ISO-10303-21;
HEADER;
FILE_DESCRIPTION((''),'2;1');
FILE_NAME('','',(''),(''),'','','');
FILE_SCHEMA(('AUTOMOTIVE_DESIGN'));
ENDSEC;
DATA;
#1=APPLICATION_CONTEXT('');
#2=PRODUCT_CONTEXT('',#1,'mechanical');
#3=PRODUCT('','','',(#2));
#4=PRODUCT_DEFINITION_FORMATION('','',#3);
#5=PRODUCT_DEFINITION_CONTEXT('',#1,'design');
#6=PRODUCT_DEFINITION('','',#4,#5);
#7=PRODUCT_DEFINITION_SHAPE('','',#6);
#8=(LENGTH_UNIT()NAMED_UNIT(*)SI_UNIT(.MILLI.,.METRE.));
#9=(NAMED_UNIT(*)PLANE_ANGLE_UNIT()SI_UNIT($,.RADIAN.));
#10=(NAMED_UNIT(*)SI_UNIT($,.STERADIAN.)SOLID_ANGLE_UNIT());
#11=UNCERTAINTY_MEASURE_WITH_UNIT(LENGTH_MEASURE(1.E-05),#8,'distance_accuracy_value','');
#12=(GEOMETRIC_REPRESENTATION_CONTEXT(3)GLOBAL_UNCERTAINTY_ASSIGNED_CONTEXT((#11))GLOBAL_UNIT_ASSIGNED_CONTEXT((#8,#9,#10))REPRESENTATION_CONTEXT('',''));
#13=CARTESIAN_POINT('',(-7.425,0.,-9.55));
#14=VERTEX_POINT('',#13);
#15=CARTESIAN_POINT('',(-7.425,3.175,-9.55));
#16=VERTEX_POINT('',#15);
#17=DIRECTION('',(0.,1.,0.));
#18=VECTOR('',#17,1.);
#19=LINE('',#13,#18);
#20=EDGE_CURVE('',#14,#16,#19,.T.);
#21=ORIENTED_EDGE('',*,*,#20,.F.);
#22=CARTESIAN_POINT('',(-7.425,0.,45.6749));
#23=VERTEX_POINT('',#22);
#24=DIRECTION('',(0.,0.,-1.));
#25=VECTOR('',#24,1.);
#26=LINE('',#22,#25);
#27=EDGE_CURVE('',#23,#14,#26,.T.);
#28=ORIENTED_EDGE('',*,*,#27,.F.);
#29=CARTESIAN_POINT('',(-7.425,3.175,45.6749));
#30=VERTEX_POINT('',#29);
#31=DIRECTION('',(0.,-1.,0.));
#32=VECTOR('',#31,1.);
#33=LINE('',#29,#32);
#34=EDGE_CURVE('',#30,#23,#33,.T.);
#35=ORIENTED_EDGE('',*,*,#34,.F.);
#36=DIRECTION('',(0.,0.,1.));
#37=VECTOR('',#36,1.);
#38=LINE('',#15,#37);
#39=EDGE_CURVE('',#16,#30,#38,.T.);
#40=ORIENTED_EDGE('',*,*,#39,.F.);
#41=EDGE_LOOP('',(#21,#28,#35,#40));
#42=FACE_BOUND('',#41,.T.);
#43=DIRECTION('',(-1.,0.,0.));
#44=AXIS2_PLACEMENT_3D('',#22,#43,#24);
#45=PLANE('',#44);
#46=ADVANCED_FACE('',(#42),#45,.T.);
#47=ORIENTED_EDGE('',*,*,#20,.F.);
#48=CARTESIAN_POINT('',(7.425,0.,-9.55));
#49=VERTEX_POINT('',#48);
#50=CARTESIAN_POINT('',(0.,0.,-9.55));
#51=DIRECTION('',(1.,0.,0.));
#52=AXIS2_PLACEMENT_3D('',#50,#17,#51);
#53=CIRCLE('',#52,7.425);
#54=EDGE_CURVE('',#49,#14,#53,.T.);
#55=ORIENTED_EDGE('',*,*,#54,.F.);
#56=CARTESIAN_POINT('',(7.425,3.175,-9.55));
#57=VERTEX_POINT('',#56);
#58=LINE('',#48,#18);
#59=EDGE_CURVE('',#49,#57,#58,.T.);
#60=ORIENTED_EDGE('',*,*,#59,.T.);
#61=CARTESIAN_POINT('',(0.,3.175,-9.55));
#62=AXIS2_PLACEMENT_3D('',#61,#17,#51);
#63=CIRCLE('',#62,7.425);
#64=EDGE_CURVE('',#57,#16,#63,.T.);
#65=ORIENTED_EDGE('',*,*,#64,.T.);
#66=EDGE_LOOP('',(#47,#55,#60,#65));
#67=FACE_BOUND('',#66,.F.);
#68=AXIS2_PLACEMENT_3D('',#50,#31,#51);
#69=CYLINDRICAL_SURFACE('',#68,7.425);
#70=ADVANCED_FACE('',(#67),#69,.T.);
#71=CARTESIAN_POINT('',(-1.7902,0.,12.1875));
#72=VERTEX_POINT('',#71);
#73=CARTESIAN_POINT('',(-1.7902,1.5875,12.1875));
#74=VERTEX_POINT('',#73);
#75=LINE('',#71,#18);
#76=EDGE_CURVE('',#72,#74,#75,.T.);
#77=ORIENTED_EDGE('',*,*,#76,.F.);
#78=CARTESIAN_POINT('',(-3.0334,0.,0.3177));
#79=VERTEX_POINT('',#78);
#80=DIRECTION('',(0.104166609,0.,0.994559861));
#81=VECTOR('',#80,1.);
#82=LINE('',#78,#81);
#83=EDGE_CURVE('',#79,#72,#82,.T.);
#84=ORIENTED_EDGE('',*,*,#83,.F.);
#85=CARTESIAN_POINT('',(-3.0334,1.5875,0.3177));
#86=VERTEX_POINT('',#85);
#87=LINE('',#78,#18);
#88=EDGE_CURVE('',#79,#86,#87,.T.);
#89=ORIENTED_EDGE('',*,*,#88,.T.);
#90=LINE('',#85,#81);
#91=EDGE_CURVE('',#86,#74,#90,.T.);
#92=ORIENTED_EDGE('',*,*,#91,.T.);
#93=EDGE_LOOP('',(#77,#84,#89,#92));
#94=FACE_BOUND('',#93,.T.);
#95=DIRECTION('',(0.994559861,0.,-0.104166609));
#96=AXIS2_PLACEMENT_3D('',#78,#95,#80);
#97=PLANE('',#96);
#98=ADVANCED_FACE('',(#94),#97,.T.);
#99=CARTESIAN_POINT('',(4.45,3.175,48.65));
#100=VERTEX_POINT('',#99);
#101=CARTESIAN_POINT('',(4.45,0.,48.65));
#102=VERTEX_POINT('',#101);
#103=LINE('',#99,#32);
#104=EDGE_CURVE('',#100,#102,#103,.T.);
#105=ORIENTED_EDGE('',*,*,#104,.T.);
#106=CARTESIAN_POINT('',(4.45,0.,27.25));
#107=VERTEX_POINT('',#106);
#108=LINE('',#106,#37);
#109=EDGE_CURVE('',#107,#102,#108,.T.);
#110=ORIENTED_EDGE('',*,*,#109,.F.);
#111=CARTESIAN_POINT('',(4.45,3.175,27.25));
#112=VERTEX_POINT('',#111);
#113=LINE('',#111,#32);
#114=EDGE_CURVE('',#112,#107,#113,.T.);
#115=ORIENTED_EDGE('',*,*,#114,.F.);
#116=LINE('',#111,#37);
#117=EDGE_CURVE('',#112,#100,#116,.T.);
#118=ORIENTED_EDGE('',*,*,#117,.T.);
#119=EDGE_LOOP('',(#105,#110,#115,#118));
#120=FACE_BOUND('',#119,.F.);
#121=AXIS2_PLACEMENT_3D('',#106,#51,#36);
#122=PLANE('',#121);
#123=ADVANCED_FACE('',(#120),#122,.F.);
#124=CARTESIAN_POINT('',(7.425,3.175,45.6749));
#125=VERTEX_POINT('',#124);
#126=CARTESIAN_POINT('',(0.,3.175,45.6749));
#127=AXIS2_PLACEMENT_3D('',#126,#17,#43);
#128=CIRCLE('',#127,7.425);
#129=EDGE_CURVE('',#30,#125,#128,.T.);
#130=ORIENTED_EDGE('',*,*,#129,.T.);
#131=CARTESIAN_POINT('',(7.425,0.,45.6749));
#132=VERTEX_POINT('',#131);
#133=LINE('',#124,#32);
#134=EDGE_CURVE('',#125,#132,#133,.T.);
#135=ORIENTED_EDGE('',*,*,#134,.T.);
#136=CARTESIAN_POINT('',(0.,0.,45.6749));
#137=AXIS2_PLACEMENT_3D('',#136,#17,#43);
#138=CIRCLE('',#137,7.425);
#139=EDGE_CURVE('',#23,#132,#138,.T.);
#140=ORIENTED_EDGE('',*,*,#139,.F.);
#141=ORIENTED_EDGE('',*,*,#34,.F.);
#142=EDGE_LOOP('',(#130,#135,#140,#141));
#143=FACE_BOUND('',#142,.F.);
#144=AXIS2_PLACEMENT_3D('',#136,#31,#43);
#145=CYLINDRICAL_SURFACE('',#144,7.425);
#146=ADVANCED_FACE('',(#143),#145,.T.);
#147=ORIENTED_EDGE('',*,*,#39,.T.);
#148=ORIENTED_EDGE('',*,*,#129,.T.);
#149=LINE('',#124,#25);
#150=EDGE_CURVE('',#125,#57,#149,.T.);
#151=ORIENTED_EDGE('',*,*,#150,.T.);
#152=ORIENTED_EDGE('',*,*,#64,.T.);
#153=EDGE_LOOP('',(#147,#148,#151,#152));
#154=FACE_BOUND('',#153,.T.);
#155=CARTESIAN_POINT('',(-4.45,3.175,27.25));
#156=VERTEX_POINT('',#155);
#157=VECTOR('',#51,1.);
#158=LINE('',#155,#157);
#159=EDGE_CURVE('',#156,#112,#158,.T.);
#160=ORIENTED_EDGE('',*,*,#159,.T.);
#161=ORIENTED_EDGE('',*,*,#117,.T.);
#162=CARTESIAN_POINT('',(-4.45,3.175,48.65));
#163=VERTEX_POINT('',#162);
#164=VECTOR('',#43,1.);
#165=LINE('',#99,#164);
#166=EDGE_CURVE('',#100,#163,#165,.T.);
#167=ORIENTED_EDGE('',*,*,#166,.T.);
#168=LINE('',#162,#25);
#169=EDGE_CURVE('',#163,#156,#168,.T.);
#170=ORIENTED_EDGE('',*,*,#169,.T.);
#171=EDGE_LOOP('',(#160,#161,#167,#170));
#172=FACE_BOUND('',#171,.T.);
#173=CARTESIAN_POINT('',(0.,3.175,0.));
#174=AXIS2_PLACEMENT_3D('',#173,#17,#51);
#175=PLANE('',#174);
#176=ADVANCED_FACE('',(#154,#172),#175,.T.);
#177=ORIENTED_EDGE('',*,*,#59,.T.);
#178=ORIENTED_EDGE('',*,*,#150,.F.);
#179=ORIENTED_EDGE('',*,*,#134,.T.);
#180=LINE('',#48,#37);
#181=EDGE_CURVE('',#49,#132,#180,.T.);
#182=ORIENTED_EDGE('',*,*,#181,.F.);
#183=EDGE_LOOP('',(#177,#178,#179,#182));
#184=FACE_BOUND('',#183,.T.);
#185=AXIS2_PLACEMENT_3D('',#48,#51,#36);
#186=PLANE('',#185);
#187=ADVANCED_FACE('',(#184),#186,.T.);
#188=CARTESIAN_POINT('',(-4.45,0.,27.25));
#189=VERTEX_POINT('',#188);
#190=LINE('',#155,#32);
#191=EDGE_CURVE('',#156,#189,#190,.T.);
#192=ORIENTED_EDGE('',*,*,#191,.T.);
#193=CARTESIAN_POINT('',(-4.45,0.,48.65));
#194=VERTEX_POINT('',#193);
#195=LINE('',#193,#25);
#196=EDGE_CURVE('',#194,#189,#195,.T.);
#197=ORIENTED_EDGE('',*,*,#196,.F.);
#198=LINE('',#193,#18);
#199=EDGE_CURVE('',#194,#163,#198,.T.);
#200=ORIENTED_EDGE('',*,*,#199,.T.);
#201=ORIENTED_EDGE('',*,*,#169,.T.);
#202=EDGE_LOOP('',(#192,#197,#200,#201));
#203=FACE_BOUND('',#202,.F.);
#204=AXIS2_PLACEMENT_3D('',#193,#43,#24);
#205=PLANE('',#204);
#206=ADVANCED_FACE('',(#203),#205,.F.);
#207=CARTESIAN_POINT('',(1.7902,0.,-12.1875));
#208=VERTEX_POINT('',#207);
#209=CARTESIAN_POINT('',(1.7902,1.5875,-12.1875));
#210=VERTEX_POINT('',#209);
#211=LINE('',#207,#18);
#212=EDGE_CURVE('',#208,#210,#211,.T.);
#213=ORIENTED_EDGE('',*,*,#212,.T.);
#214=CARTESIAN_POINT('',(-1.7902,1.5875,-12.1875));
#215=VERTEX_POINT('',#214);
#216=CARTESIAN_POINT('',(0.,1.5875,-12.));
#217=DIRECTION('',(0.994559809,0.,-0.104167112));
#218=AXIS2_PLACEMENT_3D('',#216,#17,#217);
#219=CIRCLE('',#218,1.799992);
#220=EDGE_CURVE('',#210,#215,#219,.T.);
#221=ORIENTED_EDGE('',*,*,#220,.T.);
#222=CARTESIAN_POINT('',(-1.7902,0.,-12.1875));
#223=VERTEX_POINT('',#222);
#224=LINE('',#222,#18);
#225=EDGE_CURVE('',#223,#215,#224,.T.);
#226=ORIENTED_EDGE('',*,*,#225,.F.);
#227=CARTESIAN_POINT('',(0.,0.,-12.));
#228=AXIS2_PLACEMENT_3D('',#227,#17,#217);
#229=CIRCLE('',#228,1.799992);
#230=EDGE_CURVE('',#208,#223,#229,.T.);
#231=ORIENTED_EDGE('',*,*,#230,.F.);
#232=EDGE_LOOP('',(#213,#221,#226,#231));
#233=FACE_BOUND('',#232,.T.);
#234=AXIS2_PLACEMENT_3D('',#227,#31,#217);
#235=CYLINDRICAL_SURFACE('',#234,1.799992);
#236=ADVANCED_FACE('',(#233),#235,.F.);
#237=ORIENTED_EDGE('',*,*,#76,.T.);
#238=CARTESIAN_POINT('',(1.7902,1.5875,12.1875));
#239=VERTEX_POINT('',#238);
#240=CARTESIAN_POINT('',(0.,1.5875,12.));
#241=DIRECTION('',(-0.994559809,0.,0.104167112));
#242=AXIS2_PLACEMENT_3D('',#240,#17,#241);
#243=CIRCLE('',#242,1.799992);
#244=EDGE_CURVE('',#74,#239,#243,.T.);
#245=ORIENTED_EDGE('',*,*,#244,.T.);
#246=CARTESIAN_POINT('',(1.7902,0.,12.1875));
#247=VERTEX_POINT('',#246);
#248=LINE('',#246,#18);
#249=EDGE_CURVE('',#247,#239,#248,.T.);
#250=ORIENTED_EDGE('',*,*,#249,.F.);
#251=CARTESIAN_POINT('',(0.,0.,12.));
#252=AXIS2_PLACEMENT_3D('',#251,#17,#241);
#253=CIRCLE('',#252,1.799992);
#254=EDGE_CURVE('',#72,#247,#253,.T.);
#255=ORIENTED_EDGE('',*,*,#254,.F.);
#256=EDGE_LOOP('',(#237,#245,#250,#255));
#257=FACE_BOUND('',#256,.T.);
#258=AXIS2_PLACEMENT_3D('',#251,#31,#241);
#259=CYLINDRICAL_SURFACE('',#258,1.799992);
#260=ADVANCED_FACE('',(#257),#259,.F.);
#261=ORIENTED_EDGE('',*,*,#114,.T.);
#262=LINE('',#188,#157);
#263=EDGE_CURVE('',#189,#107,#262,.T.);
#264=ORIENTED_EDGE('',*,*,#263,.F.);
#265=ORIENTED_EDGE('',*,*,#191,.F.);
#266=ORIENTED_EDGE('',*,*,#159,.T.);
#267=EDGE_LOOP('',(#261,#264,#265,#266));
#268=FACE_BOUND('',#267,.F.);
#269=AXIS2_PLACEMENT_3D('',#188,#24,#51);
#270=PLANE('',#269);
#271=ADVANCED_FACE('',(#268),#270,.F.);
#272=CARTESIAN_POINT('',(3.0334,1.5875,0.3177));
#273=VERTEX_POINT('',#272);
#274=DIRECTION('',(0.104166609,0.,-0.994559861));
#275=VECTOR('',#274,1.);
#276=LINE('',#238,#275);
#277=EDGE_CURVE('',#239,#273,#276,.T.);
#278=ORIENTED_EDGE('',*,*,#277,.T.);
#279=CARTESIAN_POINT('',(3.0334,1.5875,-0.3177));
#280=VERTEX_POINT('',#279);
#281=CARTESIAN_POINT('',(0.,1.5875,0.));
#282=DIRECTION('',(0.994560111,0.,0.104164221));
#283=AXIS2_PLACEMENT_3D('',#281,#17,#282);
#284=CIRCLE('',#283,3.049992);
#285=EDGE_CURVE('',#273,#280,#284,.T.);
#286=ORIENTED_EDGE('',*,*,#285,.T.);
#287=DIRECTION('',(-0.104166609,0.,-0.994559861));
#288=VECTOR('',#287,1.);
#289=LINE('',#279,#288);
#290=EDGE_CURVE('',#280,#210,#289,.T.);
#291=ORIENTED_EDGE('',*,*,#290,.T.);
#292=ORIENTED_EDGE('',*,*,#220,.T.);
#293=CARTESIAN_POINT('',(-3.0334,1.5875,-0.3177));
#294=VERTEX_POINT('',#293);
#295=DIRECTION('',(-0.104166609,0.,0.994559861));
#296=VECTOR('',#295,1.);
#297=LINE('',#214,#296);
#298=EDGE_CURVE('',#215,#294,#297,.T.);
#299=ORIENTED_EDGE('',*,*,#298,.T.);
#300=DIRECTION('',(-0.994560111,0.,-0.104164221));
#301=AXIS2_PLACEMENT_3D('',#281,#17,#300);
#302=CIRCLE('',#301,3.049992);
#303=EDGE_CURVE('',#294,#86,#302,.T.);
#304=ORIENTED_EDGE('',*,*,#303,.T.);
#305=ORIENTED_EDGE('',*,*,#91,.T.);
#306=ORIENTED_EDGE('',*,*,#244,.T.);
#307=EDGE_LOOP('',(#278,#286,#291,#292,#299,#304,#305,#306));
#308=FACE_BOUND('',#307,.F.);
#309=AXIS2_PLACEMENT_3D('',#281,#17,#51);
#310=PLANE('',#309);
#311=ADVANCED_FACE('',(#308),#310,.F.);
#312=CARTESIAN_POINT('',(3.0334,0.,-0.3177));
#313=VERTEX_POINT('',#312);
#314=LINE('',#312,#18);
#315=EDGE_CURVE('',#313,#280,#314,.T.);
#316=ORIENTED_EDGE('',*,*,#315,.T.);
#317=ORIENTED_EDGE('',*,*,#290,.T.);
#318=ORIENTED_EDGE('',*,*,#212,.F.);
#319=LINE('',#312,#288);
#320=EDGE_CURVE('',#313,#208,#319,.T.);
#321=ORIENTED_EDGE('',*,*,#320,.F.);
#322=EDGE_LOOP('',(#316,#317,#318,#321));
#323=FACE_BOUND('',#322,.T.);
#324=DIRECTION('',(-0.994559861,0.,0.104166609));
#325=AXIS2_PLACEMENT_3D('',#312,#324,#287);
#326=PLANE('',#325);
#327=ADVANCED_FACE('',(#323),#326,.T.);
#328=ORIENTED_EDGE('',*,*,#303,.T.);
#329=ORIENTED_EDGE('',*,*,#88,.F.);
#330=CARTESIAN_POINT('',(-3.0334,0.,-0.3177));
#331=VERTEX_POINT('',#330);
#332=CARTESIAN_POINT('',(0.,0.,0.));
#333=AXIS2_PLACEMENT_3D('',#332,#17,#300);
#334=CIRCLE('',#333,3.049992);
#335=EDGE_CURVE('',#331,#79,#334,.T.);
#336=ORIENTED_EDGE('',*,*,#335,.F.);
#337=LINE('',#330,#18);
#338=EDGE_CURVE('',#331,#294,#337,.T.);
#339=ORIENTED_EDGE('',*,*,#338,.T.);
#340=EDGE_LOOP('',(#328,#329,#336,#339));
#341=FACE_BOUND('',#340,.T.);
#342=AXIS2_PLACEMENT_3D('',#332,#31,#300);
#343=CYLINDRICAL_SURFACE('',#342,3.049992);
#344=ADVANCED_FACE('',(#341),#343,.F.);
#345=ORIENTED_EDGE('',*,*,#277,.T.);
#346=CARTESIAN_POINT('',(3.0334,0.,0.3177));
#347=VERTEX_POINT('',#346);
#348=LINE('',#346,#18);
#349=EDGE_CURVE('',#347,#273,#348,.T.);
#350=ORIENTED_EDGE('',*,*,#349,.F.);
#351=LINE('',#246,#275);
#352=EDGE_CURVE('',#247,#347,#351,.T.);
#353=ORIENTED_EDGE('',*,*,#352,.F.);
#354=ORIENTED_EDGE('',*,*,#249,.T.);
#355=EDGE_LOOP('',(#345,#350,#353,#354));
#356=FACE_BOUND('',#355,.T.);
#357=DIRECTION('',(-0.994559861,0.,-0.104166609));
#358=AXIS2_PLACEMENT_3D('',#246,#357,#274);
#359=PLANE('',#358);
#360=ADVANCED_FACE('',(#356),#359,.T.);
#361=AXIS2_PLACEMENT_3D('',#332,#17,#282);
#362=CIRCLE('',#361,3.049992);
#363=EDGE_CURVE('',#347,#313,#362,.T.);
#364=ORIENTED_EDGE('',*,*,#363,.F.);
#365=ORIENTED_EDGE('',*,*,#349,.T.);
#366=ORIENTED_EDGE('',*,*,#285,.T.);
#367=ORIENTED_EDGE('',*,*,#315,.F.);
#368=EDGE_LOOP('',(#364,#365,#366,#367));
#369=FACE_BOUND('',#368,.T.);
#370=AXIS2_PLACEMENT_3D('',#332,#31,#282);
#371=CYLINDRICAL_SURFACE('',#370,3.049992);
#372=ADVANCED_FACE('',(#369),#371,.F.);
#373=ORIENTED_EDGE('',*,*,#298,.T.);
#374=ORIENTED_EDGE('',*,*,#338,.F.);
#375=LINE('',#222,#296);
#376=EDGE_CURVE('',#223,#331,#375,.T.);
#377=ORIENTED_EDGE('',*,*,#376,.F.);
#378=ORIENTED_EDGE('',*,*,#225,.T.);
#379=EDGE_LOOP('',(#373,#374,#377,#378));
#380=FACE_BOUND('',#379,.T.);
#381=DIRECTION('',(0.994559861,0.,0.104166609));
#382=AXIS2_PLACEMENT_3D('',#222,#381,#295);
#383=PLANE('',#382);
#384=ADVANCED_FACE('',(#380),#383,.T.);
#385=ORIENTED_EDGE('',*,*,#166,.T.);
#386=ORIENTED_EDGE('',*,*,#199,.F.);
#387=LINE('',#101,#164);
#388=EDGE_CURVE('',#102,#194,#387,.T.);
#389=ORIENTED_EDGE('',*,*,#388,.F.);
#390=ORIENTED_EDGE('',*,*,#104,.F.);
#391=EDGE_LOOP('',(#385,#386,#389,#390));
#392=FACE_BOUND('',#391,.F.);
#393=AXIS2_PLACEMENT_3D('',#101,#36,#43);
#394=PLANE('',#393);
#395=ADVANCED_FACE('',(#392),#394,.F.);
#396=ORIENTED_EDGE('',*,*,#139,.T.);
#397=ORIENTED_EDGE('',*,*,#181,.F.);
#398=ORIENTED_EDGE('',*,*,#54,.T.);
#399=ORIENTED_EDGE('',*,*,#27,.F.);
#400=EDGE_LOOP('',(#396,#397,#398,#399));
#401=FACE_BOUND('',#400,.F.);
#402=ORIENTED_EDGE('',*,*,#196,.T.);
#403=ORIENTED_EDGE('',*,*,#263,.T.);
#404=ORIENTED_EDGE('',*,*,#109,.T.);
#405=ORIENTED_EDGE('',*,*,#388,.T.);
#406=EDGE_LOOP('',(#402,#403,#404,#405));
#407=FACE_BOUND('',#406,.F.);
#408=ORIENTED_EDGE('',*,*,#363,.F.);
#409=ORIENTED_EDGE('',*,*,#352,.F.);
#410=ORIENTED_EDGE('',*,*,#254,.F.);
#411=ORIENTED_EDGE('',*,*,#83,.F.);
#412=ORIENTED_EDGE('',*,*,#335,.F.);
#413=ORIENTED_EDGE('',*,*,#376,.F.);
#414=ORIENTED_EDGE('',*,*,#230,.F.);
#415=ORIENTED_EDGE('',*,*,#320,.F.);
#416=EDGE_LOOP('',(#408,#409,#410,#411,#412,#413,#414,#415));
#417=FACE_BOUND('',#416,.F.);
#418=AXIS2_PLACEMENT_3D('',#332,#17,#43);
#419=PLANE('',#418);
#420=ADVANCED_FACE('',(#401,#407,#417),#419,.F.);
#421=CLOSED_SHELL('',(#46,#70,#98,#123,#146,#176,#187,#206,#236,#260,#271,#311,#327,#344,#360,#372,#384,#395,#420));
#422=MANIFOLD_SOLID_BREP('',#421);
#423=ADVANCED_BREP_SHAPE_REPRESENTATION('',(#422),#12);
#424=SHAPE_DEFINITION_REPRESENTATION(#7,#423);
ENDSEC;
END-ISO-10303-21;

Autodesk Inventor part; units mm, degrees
ref_plane "YZ Plane" through (0, 0, 0) normal (1, 0, 0) x (0, 1, 0)
ref_plane "XZ Plane" through (0, 0, 0) normal (0, 1, 0) x (-1, 0, 0)
ref_plane "XY Plane" through (0, 0, 0) normal (0, 0, 1) x (1, 0, 0)
sketch "Sketch1" plane through (0, 0, 0) normal (0, 1, 0) x (-1, 0, 0)
  arc A0 (1.4918, 12.1563) -> (-1.4918, 12.1563) centre (0, 12) ccw
  arc A1 (-1.4918, -12.1563) -> (1.4918, -12.1563) centre (0, -12) ccw
  line L0 (0, -12) -> (0, 12) construction
  line L1 (-2.735, 0.2865) -> (-1.4918, 12.1563)
  line L2 (1.4918, -12.1563) -> (2.735, -0.2865)
  line L3 (-1.4918, -12.1563) -> (-2.735, -0.2865)
  line L4 (2.735, 0.2865) -> (1.4918, 12.1563)
  arc A2 (-2.735, 0.2865) -> (-2.735, -0.2865) centre (0, 0) ccw
  arc A3 (2.735, -0.2865) -> (2.735, 0.2865) centre (0, 0) ccw
  line L5 (2.75, 0) -> (-2.75, 0) construction
  line L6 (-3.0334, -0.3177) -> (-1.7902, -12.1875)
  arc A4 (-1.7902, -12.1875) -> (1.7902, -12.1875) centre (0, -12) ccw
  line L7 (1.7902, -12.1875) -> (3.0334, -0.3177)
  arc A5 (3.0334, -0.3177) -> (3.0334, 0.3177) centre (0, 0) ccw
  line L8 (3.0334, 0.3177) -> (1.7902, 12.1875)
  arc A6 (1.7902, 12.1875) -> (-1.7902, 12.1875) centre (0, 12) ccw
  line L9 (-1.7902, 12.1875) -> (-3.0334, 0.3177)
  arc A7 (-3.0334, 0.3177) -> (-3.0334, -0.3177) centre (0, 0) ccw
  line L10 (-4.25, 27.45) -> (4.25, 27.45)
  line L11 (4.25, 27.45) -> (4.25, 48.45)
  line L12 (4.25, 48.45) -> (-4.25, 48.45)
  line L13 (-4.25, 48.45) -> (-4.25, 27.45)
  line L14 (0, -16.975) -> (0, 53.0999) construction
  line L15 (-7.425, -9.55) -> (-7.425, 45.6749)
  line L16 (7.425, 45.6749) -> (7.425, -9.55)
  arc A8 (-7.425, -9.55) -> (7.425, -9.55) centre (0, -9.55) ccw
  arc A9 (7.425, 45.6749) -> (-7.425, 45.6749) centre (0, 45.6749) ccw
  line L17 (4.45, 48.65) -> (4.45, 27.25)
  line L18 (4.45, 27.25) -> (-4.45, 27.25)
  line L19 (-4.45, 27.25) -> (-4.45, 48.65)
  line L20 (-4.45, 48.65) -> (4.45, 48.65)
  point P0 (0, 0)
  point P1 (0, 27.45)
  point P2 (0, 44.45)
  point P3 (0, 18.0624)
  point P4 (0, -13.8)
  point P5 (0, -16.975)
  dimension "d5" = 3
  dimension "d6" = 3
  dimension "d7" = 24
  dimension "d8" = 5.5
  dimension "d9" = 0.3
  dimension "d10" = 8.5
  dimension "d11" = 21
  dimension "d12" = 4
  dimension "d13" = 44.45
  dimension "d14" = 3.175
  dimension "d15" = 3.175
  dimension "d16" = 0.2
extrude "Extrusion1" add sketch "Sketch1" along normal blind 1.5875 contours L15 A9 L16 A8
sketch "Sketch2" plane through (0, 1.5875, 0) normal (0, 1, 0) x (1, 0, 0)
  line L0 (7.425, -45.6749) -> (7.425, 9.55) projected
  arc A0 (7.425, 9.55) -> (-7.425, 9.55) centre (0, 9.55) ccw projected
  line L1 (-7.425, 9.55) -> (-7.425, -45.6749) projected
  arc A1 (-7.425, -45.6749) -> (7.425, -45.6749) centre (0, -45.6749) ccw projected
  line L2 (-4.45, -48.65) -> (-4.45, -27.25) projected
  line L3 (-4.45, -27.25) -> (4.45, -27.25) projected
  line L4 (4.45, -27.25) -> (4.45, -48.65) projected
  line L5 (4.45, -48.65) -> (-4.45, -48.65) projected
  arc A2 (3.0334, -0.3177) -> (3.0334, 0.3177) centre (0, 0) ccw projected
  line L6 (3.0334, -0.3177) -> (1.7902, -12.1875) projected
  arc A3 (-1.7902, -12.1875) -> (1.7902, -12.1875) centre (0, -12) ccw projected
  line L7 (-1.7902, -12.1875) -> (-3.0334, -0.3177) projected
  arc A4 (-3.0334, 0.3177) -> (-3.0334, -0.3177) centre (0, 0) ccw projected
  line L8 (-3.0334, 0.3177) -> (-1.7902, 12.1875) projected
  arc A5 (1.7902, 12.1875) -> (-1.7902, 12.1875) centre (0, 12) ccw projected
  line L9 (1.7902, 12.1875) -> (3.0334, 0.3177) projected
extrude "Extrusion2" add sketch "Sketch2" along normal blind 1.5875 contours A1 L1 A0 L0 | L6 A3 L7 A4 L8 A5 L9 A2
properties part number "arm"
